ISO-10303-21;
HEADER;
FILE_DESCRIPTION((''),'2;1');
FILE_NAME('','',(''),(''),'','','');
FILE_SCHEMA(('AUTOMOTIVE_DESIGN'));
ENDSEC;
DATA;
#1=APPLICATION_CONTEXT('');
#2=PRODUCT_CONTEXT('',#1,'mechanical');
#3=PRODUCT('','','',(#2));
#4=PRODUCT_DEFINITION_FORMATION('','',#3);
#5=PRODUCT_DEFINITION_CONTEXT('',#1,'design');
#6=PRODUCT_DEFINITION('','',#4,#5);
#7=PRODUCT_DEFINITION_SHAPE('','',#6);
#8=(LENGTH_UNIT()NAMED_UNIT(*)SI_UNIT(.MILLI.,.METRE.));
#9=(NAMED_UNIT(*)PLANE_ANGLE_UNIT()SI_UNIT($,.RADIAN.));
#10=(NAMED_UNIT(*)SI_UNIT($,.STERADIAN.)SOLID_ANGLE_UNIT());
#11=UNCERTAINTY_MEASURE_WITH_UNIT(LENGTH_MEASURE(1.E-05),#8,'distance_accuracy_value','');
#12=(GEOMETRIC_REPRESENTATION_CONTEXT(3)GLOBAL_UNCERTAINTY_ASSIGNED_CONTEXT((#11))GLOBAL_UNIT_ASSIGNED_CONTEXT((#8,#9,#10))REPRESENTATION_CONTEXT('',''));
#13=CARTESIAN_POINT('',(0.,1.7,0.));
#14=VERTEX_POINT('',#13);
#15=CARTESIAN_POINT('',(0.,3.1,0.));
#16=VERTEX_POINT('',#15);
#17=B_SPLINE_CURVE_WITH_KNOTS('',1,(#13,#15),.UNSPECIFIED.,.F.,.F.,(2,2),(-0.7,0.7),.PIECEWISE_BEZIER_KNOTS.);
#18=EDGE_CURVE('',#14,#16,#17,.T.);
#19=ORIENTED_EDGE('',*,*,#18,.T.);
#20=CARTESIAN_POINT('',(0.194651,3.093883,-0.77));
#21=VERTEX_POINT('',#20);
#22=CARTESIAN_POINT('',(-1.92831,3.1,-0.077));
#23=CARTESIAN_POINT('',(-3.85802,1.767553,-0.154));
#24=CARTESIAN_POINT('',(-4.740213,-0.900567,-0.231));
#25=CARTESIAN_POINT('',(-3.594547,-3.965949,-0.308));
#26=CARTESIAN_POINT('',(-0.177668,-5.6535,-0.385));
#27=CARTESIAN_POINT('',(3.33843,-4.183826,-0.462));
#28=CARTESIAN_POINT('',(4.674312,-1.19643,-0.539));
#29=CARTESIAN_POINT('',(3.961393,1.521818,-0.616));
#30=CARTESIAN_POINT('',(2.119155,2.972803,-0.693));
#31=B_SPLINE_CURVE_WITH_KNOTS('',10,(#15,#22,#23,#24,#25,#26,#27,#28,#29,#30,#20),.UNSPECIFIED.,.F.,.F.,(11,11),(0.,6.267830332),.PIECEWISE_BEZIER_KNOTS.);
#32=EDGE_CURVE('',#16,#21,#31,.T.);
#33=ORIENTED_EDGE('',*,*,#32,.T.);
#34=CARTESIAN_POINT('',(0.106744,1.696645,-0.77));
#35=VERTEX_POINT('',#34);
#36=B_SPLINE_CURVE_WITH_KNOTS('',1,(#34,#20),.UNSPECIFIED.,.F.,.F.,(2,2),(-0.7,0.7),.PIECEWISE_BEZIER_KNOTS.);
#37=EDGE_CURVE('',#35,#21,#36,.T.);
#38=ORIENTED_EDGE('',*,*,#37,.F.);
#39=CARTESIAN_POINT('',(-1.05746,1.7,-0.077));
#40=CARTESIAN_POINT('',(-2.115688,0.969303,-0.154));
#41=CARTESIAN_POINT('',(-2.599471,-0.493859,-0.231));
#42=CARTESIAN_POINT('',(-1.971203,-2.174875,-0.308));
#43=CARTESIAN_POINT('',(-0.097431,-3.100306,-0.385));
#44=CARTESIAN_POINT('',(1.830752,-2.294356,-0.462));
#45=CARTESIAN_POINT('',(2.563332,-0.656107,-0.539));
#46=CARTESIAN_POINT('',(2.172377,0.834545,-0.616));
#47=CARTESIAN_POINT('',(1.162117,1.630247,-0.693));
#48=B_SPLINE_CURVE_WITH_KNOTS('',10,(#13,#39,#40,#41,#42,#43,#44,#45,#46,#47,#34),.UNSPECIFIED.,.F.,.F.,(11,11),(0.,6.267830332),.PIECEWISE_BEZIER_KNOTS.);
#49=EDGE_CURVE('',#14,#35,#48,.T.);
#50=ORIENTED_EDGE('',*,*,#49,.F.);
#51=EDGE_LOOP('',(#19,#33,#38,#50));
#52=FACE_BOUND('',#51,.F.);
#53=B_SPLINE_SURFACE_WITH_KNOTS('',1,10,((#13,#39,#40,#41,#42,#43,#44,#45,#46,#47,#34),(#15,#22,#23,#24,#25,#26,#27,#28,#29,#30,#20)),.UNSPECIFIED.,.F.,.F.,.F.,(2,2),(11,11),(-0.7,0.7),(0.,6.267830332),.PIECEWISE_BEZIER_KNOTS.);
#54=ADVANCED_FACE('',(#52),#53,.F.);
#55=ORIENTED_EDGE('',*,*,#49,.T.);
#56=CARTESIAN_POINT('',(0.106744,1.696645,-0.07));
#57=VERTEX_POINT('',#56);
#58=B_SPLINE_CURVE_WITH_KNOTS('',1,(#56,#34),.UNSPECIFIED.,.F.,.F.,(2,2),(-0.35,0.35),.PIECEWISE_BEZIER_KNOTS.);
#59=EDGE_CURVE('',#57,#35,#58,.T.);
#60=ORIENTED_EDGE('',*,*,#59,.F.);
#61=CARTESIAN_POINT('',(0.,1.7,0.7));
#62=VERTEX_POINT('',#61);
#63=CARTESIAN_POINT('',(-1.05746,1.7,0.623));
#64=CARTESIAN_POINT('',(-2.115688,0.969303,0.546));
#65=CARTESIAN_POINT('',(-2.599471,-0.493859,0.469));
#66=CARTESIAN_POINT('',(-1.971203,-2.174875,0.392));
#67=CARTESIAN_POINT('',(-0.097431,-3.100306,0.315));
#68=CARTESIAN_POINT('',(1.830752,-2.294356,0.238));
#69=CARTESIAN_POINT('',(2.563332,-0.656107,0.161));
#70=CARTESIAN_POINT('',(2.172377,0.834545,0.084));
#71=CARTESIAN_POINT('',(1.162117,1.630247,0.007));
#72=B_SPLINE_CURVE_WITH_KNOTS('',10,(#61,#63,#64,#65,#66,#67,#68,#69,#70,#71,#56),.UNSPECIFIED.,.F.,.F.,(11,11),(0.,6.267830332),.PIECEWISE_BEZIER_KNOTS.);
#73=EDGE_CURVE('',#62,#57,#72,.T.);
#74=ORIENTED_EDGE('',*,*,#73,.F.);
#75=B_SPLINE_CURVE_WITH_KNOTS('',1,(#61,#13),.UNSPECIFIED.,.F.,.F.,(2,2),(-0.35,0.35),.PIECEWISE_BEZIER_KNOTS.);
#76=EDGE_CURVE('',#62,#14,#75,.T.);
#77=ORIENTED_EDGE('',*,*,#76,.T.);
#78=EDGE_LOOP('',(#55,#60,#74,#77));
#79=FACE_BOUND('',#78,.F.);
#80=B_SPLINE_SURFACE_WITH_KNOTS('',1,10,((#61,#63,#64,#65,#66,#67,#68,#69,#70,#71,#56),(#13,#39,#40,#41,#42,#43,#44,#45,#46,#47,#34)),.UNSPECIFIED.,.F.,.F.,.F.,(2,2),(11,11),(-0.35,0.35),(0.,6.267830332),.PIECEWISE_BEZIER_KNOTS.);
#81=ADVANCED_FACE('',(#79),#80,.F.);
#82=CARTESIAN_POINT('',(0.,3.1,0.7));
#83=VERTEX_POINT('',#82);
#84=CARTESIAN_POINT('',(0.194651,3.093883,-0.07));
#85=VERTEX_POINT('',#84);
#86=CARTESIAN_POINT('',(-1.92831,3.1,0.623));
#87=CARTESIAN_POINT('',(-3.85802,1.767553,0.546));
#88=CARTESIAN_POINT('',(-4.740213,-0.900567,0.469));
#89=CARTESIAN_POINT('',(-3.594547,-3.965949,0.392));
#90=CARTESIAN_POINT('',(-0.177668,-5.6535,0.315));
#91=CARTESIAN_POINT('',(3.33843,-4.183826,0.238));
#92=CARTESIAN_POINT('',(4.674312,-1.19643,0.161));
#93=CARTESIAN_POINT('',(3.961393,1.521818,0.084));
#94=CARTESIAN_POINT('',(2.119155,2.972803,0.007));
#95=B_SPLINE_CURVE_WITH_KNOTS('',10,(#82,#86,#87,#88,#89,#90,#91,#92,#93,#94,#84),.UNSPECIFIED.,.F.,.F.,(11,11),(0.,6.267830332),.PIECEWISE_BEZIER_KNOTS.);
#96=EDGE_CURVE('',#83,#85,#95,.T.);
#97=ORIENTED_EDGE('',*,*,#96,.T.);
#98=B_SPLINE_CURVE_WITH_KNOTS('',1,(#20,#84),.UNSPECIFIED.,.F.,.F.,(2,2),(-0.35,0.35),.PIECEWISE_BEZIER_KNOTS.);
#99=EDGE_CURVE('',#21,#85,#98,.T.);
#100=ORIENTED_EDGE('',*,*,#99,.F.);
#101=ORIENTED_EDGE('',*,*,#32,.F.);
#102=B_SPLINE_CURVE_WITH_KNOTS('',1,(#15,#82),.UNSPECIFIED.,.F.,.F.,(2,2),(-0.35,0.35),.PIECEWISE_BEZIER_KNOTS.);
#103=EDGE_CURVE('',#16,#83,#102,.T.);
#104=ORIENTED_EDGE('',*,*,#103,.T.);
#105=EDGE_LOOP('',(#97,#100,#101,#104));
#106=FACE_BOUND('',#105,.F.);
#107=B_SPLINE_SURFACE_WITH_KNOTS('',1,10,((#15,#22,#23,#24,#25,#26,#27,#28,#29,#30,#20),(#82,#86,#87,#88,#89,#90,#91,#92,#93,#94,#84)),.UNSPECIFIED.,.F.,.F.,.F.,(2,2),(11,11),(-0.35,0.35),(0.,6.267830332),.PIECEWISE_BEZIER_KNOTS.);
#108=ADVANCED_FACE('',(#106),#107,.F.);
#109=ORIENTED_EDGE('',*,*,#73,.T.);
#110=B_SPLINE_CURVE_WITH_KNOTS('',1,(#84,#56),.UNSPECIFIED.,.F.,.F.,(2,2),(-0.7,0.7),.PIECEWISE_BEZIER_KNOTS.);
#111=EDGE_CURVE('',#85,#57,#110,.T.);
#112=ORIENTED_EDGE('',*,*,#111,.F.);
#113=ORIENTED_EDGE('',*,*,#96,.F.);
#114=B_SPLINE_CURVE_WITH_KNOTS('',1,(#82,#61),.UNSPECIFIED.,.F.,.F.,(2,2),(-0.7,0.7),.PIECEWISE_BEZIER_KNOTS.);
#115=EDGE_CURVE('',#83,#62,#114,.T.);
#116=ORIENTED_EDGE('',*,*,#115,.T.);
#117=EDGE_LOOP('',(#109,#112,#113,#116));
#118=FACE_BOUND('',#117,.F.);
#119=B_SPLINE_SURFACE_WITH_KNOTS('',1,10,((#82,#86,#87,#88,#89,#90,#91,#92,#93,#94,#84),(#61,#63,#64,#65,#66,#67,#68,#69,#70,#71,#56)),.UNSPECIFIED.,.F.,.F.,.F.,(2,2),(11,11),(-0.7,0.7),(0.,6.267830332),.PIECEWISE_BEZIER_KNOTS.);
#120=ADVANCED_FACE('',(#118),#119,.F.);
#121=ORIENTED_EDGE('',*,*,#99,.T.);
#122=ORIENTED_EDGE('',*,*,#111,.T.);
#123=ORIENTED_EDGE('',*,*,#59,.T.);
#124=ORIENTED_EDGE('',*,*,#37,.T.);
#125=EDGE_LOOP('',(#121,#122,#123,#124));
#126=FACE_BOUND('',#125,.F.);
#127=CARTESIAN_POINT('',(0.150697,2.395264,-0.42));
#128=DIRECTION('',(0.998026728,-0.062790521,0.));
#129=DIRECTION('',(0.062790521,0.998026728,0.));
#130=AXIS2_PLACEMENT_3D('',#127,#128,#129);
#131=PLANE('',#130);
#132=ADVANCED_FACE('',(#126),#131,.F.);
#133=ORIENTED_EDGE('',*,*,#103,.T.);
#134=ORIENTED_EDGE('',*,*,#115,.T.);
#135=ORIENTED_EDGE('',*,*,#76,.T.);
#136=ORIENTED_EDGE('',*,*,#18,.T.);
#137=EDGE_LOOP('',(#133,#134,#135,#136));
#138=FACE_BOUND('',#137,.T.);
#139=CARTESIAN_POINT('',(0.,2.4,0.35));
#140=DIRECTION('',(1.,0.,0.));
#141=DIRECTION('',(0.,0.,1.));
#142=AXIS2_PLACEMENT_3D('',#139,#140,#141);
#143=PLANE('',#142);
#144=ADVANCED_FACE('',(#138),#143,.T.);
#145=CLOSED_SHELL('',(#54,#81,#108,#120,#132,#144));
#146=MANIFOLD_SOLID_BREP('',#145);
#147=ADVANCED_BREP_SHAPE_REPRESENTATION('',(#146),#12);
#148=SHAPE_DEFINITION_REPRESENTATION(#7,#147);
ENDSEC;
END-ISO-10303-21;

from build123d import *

# Parameters (mm, degrees)
SWEEP1_PITCH       = 0.777777778
SWEEP1_HEIGHT      = 0.77
SWEEP1_RADIUS      = 3.1
SWEEP1_START_ANGLE = 90
SKETCH2_W          = 0.7
SKETCH2_H          = 1.4


with BuildPart() as part:
    # Sweep1: sweep along a helix
    with BuildLine() as sweep1_path:
        add(Helix(SWEEP1_PITCH, SWEEP1_HEIGHT, SWEEP1_RADIUS, center=(0, 0, 0), direction=(0, 0, -1), lefthand=True, mode=Mode.PRIVATE).rotate(Axis((0, 0, 0), (0, 0, -1)), SWEEP1_START_ANGLE))
    # Sketch2 → Sweep1 (sweep)
    with BuildSketch(Plane(origin=(0, 0, 0), x_dir=(0, 0, -1), z_dir=(1, 0, 0))):
        with Locations((-0.35, 2.4)):
            Rectangle(SKETCH2_W, SKETCH2_H)
    sweep(path=sweep1_path.line, is_frenet=True)


solid = part.part
